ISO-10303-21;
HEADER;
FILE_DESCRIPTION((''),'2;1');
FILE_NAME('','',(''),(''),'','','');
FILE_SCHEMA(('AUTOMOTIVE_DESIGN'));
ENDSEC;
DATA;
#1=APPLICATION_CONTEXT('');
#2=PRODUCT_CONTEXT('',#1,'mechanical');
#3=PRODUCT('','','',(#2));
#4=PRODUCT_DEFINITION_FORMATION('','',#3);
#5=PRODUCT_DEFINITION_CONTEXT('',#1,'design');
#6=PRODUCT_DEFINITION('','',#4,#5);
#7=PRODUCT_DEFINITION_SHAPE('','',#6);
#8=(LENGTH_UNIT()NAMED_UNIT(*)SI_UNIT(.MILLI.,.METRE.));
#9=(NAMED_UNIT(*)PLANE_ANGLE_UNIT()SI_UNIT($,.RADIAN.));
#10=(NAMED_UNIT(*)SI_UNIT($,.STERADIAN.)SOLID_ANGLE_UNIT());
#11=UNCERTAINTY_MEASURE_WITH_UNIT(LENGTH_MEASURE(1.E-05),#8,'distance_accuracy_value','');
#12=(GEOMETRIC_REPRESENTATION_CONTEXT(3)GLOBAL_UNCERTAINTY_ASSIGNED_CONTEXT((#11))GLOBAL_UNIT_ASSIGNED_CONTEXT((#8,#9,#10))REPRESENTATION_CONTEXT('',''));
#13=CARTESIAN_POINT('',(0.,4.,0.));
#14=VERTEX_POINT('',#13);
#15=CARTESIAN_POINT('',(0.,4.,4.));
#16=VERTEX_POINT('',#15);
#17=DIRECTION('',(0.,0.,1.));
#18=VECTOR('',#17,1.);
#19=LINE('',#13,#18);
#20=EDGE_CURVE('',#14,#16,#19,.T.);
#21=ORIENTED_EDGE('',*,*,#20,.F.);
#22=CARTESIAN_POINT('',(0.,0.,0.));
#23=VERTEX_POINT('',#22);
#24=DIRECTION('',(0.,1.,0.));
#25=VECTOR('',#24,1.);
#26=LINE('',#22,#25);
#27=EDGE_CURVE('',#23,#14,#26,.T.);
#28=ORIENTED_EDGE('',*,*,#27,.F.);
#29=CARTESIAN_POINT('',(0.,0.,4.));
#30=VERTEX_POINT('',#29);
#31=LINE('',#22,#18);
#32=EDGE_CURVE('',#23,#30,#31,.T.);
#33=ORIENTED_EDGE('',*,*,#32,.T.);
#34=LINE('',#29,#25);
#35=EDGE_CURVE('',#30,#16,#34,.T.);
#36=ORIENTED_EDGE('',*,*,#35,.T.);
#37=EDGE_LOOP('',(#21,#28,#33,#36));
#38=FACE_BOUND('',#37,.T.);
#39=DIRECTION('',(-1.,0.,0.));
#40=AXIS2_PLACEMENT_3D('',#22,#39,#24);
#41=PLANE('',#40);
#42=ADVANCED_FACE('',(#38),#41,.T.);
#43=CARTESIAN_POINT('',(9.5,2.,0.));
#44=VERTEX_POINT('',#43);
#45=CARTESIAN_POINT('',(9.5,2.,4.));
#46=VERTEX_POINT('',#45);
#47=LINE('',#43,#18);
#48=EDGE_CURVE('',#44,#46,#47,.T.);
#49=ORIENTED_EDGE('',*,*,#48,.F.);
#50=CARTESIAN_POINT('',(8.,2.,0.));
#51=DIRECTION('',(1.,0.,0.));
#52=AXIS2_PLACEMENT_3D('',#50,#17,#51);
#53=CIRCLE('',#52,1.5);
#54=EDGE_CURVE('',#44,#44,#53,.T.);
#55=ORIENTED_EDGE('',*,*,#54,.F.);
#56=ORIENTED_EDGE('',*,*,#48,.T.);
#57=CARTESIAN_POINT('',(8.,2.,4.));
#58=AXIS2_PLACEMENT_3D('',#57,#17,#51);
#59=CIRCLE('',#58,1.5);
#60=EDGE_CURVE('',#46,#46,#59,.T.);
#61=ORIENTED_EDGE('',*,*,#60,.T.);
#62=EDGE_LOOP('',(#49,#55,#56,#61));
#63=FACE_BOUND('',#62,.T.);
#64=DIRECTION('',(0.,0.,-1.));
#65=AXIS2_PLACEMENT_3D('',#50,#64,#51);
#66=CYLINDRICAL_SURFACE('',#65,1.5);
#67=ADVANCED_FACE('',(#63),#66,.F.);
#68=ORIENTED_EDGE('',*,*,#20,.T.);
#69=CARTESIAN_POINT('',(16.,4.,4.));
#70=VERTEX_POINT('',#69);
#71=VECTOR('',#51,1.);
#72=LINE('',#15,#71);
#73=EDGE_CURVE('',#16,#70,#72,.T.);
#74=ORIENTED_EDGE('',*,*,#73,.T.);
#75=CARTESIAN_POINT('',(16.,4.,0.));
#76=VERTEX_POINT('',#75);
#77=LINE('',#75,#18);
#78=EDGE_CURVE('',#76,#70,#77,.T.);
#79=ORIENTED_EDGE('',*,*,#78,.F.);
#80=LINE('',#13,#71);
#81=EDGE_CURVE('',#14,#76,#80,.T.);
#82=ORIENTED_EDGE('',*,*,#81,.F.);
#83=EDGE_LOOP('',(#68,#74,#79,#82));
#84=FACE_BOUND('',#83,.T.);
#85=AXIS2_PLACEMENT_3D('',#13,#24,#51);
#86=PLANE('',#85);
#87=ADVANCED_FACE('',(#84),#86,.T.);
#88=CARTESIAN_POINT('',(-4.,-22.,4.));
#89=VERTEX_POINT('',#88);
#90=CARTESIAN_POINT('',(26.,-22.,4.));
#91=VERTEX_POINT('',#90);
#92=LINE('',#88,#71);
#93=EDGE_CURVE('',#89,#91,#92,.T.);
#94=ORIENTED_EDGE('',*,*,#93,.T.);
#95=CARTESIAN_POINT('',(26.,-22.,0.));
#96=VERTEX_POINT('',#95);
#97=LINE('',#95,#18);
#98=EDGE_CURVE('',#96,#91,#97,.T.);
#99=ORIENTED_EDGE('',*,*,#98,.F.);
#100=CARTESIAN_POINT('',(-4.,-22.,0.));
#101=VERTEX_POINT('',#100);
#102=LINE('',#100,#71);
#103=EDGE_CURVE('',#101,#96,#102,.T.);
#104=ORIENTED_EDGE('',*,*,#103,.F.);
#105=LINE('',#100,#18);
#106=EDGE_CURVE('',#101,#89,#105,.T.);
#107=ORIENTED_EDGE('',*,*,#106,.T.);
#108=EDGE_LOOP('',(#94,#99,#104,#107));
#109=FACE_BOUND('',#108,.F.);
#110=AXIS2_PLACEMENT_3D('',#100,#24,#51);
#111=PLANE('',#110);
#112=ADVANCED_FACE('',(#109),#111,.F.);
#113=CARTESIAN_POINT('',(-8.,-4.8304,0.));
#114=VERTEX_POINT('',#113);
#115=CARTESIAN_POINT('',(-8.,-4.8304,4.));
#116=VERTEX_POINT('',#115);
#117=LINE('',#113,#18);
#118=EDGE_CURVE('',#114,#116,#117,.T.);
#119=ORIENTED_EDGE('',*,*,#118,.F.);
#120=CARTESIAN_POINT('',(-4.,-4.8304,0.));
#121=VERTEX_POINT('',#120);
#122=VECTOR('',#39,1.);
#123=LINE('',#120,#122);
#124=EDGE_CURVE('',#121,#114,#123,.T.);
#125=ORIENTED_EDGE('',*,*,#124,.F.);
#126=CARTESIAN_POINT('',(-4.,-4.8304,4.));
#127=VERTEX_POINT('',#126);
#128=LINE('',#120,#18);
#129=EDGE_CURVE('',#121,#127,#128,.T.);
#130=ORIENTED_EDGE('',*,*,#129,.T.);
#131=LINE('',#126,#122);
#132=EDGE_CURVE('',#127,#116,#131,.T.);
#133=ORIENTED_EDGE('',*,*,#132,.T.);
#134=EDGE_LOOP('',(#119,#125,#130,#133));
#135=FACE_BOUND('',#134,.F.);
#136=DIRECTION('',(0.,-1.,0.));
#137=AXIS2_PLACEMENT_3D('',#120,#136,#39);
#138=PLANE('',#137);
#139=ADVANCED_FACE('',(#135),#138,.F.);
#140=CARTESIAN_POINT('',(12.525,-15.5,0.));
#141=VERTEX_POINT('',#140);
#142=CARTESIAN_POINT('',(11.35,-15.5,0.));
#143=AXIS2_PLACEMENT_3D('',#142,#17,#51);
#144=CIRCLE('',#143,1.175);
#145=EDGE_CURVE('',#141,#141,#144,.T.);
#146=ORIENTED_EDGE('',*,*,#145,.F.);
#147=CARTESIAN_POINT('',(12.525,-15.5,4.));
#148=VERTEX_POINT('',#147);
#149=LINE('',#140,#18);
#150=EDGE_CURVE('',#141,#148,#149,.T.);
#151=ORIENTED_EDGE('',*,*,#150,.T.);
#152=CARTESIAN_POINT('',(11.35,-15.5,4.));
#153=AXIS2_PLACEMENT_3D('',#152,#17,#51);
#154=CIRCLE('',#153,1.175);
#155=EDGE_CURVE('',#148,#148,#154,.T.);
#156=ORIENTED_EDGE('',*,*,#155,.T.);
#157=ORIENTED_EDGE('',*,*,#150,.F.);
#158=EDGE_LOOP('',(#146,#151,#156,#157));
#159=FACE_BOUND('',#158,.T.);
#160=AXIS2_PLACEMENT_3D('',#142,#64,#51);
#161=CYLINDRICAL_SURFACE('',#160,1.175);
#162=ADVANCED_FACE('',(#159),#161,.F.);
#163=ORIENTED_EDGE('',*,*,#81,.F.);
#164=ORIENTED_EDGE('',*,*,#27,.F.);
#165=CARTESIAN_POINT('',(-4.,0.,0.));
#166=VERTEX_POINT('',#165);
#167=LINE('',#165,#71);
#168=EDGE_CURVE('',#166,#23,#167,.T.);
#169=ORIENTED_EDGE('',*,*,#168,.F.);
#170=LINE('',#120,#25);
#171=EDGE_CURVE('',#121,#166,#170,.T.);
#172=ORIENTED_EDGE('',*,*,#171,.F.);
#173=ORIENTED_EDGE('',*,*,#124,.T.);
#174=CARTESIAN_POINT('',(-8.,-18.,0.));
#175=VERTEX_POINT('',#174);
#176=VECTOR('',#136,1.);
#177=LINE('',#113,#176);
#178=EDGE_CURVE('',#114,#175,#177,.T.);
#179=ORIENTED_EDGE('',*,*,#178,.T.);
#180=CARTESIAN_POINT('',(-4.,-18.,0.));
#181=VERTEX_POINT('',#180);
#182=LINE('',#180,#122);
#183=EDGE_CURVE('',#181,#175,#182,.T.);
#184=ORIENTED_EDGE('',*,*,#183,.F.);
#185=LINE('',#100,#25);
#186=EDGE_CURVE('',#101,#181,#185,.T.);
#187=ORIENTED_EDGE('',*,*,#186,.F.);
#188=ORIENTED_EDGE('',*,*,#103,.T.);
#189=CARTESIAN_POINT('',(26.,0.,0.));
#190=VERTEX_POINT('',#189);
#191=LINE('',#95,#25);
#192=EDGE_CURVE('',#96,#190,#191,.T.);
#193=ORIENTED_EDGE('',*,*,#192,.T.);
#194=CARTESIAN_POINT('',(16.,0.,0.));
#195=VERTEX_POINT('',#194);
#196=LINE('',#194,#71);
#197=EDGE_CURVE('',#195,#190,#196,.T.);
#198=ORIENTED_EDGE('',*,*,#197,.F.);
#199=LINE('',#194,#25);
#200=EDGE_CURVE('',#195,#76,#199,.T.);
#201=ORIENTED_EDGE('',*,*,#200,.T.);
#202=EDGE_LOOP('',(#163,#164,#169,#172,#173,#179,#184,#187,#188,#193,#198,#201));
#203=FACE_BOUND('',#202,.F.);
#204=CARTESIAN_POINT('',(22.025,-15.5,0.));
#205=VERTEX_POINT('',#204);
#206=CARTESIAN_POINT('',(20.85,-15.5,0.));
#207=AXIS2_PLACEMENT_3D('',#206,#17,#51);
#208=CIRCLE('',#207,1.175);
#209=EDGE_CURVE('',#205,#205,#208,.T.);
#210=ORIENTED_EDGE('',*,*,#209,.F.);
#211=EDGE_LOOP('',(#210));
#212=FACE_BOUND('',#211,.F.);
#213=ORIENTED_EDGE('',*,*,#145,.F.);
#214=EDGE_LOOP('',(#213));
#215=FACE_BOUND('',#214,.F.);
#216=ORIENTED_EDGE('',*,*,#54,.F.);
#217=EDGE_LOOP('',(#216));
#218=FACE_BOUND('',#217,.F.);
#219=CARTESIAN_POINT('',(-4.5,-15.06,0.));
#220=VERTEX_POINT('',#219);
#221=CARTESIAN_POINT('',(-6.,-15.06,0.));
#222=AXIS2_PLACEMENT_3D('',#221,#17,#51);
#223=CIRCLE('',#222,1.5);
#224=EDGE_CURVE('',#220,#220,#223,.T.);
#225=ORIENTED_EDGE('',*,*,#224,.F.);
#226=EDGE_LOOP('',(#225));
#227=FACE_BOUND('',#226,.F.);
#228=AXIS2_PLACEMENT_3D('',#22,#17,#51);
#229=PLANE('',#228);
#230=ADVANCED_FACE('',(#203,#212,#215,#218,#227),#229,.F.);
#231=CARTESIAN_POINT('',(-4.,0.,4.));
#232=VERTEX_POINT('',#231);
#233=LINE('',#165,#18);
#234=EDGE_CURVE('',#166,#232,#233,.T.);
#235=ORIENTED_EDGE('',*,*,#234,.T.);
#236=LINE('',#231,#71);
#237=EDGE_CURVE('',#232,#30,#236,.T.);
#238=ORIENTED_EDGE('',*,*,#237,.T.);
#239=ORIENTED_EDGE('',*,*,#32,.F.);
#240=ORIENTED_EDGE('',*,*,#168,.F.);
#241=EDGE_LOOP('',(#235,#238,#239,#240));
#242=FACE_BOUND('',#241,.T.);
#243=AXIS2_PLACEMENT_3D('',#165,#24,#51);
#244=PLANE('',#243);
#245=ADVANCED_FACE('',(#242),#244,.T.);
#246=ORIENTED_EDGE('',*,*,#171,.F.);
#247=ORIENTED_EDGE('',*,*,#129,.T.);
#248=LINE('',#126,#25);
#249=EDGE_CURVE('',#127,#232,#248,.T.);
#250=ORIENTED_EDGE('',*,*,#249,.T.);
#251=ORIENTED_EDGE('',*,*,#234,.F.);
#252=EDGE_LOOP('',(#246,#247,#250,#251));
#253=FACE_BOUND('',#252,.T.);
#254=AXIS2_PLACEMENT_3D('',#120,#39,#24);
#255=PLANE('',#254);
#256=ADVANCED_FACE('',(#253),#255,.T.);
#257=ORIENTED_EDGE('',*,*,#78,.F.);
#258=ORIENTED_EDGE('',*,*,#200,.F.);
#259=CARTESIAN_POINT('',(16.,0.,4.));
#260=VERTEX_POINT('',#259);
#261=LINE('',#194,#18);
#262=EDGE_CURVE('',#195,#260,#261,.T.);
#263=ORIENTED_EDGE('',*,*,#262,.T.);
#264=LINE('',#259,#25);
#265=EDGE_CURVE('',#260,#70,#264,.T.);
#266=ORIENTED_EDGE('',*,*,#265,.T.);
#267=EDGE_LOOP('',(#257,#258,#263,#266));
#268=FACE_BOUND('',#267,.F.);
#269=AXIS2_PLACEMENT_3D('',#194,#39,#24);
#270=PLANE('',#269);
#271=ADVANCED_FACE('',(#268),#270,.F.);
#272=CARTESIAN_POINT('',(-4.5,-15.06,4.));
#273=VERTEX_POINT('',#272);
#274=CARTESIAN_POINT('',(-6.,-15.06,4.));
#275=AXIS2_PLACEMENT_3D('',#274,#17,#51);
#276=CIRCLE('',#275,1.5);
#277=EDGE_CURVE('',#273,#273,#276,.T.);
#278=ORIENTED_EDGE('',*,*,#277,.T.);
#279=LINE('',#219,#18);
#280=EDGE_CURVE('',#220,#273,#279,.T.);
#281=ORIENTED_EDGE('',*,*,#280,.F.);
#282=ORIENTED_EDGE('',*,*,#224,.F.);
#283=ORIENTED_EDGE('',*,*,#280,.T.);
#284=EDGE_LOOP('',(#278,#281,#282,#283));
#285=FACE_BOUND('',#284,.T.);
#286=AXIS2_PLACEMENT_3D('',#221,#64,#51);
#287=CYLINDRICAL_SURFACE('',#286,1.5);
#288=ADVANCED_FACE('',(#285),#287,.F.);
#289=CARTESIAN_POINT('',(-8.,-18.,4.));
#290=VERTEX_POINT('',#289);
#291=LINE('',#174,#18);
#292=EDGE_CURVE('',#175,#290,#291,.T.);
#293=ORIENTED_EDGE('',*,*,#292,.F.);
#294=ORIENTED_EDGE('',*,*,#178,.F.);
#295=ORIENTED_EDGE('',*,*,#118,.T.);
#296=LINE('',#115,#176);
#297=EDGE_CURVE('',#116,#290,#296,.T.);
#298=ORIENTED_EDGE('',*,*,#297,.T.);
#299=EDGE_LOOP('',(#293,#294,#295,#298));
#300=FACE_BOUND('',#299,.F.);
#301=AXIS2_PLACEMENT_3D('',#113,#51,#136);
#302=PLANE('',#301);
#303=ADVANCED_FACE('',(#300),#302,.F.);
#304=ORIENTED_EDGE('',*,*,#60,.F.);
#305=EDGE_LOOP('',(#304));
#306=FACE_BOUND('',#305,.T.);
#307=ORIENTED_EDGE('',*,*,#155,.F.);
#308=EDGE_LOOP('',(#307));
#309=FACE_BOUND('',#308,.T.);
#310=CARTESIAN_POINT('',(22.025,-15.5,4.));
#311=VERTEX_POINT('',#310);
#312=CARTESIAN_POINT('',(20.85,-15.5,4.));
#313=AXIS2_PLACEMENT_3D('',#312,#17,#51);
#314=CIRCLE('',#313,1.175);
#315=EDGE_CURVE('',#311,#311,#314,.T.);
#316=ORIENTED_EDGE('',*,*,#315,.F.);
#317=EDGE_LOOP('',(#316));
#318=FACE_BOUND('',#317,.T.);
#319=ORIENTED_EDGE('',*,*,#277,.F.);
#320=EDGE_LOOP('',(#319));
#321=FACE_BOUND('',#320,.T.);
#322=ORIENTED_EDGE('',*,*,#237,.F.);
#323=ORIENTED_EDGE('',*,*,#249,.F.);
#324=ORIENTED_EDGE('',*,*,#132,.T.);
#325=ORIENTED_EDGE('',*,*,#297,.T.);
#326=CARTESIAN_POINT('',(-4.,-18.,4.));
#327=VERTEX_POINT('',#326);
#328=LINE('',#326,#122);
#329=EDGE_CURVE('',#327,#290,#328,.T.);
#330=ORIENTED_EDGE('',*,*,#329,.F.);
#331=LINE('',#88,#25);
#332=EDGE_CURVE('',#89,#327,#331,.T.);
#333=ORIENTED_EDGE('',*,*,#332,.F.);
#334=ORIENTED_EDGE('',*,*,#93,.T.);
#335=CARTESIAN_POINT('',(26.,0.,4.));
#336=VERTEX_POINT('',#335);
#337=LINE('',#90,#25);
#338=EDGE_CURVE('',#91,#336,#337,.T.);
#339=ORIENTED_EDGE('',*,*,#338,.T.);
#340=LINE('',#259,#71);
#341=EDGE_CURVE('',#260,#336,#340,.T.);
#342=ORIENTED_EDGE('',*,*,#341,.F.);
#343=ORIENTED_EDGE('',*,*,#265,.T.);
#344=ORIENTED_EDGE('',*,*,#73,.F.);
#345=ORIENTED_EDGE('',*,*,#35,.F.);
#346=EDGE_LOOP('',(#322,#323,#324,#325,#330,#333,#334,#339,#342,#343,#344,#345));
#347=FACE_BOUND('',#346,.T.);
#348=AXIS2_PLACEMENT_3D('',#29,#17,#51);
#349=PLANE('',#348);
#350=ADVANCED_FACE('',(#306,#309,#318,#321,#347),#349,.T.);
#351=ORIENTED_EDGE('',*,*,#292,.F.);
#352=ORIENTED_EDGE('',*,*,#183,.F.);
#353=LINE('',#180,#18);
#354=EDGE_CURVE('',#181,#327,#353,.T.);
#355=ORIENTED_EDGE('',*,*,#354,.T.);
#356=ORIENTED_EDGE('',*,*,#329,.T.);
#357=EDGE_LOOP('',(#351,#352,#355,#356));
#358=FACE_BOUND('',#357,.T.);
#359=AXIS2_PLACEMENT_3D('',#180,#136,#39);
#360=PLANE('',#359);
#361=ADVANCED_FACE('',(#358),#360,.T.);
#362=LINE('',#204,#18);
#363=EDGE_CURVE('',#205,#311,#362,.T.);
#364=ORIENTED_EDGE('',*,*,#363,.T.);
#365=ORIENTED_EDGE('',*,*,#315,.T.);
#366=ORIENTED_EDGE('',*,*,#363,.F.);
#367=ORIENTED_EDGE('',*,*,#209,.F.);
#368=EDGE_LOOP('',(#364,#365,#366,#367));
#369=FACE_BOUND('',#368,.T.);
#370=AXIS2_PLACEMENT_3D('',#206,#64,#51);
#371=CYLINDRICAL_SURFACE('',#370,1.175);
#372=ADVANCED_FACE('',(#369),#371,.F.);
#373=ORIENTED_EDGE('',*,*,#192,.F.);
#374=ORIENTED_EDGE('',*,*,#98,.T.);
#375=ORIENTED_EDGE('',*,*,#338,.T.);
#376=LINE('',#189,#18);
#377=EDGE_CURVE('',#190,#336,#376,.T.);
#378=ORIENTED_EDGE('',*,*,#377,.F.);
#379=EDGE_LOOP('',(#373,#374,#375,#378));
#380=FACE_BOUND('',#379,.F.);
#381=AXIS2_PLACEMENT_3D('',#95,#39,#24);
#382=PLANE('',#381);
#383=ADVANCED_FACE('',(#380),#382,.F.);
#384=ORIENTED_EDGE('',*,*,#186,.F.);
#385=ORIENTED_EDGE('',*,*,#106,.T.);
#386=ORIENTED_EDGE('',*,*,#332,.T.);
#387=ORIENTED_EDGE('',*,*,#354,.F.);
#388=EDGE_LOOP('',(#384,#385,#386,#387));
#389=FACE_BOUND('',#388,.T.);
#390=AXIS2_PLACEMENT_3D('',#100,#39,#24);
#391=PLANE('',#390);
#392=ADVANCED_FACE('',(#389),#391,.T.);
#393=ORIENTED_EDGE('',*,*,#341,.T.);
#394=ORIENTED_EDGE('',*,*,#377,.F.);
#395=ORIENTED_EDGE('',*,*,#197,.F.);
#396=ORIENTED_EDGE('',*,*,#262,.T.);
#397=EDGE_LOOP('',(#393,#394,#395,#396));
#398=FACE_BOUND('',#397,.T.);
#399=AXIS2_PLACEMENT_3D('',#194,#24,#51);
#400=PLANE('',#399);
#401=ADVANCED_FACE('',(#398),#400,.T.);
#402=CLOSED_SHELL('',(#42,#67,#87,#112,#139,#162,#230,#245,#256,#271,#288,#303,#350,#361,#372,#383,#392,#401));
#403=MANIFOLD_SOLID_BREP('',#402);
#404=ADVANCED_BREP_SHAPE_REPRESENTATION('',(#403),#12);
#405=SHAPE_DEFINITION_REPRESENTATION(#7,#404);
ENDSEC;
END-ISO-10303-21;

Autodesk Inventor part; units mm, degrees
ref_plane "YZ Plane" through (0, 0, 0) normal (1, 0, 0) x (0, 1, 0)
ref_plane "XZ Plane" through (0, 0, 0) normal (0, 1, 0) x (-1, 0, 0)
ref_plane "XY Plane" through (0, 0, 0) normal (0, 0, 1) x (1, 0, 0)
sketch "Sketch1" plane through (0, 0, 0) normal (0, 0, 1) x (1, 0, 0)
  line L0 (16, 0) -> (16, 4) projected
  line L1 (0, 0) -> (0, 4) projected
  line L2 (-4, -4.8304) -> (-8, -4.8304) projected
  line L3 (-4, -18) -> (-8, -18) projected
  line L4 (-4, -4.8304) -> (-4, 0)
  line L5 (-4, 0) -> (0, 0)
  line L6 (0, 4) -> (16, 4)
  line L7 (-8, -4.8304) -> (-8, -18)
  line L8 (-4, -22) -> (-4, -18)
  line L9 (16, 0) -> (26, 0)
  line L10 (-4, -22) -> (26, -22)
  line L11 (26, -22) -> (26, 0)
  line L12 (6.5, 0) -> (6.5, 4) construction
  line L13 (9.5, 0) -> (9.5, 4) construction
  line L14 (-4, -13.56) -> (-8, -13.56) construction
  line L15 (-4, -16.56) -> (-8, -16.56) construction
  line L16 (-8, -16.56) -> (-4, -13.56) construction
  line L17 (6.5, 0) -> (9.5, 4) construction
  circle A0 centre (8, 2) radius 1.5
  circle A1 centre (-6, -15.06) radius 1.5
  circle A2 centre (11.35, -15.5) radius 1.175
  circle A3 centre (20.85, -15.5) radius 1.175
  dimension "d0" = 3
  dimension "d3" = 2.35
  dimension "d4" = 9.5
  dimension "d5" = 6.5
  dimension "d6" = 5.15
extrude "Extrusion1" add sketch "Sketch1" along normal blind 4
properties part number "Door_LimitSwitch_Holder_Plate" material "MDF Medium Density Fiberboard"
